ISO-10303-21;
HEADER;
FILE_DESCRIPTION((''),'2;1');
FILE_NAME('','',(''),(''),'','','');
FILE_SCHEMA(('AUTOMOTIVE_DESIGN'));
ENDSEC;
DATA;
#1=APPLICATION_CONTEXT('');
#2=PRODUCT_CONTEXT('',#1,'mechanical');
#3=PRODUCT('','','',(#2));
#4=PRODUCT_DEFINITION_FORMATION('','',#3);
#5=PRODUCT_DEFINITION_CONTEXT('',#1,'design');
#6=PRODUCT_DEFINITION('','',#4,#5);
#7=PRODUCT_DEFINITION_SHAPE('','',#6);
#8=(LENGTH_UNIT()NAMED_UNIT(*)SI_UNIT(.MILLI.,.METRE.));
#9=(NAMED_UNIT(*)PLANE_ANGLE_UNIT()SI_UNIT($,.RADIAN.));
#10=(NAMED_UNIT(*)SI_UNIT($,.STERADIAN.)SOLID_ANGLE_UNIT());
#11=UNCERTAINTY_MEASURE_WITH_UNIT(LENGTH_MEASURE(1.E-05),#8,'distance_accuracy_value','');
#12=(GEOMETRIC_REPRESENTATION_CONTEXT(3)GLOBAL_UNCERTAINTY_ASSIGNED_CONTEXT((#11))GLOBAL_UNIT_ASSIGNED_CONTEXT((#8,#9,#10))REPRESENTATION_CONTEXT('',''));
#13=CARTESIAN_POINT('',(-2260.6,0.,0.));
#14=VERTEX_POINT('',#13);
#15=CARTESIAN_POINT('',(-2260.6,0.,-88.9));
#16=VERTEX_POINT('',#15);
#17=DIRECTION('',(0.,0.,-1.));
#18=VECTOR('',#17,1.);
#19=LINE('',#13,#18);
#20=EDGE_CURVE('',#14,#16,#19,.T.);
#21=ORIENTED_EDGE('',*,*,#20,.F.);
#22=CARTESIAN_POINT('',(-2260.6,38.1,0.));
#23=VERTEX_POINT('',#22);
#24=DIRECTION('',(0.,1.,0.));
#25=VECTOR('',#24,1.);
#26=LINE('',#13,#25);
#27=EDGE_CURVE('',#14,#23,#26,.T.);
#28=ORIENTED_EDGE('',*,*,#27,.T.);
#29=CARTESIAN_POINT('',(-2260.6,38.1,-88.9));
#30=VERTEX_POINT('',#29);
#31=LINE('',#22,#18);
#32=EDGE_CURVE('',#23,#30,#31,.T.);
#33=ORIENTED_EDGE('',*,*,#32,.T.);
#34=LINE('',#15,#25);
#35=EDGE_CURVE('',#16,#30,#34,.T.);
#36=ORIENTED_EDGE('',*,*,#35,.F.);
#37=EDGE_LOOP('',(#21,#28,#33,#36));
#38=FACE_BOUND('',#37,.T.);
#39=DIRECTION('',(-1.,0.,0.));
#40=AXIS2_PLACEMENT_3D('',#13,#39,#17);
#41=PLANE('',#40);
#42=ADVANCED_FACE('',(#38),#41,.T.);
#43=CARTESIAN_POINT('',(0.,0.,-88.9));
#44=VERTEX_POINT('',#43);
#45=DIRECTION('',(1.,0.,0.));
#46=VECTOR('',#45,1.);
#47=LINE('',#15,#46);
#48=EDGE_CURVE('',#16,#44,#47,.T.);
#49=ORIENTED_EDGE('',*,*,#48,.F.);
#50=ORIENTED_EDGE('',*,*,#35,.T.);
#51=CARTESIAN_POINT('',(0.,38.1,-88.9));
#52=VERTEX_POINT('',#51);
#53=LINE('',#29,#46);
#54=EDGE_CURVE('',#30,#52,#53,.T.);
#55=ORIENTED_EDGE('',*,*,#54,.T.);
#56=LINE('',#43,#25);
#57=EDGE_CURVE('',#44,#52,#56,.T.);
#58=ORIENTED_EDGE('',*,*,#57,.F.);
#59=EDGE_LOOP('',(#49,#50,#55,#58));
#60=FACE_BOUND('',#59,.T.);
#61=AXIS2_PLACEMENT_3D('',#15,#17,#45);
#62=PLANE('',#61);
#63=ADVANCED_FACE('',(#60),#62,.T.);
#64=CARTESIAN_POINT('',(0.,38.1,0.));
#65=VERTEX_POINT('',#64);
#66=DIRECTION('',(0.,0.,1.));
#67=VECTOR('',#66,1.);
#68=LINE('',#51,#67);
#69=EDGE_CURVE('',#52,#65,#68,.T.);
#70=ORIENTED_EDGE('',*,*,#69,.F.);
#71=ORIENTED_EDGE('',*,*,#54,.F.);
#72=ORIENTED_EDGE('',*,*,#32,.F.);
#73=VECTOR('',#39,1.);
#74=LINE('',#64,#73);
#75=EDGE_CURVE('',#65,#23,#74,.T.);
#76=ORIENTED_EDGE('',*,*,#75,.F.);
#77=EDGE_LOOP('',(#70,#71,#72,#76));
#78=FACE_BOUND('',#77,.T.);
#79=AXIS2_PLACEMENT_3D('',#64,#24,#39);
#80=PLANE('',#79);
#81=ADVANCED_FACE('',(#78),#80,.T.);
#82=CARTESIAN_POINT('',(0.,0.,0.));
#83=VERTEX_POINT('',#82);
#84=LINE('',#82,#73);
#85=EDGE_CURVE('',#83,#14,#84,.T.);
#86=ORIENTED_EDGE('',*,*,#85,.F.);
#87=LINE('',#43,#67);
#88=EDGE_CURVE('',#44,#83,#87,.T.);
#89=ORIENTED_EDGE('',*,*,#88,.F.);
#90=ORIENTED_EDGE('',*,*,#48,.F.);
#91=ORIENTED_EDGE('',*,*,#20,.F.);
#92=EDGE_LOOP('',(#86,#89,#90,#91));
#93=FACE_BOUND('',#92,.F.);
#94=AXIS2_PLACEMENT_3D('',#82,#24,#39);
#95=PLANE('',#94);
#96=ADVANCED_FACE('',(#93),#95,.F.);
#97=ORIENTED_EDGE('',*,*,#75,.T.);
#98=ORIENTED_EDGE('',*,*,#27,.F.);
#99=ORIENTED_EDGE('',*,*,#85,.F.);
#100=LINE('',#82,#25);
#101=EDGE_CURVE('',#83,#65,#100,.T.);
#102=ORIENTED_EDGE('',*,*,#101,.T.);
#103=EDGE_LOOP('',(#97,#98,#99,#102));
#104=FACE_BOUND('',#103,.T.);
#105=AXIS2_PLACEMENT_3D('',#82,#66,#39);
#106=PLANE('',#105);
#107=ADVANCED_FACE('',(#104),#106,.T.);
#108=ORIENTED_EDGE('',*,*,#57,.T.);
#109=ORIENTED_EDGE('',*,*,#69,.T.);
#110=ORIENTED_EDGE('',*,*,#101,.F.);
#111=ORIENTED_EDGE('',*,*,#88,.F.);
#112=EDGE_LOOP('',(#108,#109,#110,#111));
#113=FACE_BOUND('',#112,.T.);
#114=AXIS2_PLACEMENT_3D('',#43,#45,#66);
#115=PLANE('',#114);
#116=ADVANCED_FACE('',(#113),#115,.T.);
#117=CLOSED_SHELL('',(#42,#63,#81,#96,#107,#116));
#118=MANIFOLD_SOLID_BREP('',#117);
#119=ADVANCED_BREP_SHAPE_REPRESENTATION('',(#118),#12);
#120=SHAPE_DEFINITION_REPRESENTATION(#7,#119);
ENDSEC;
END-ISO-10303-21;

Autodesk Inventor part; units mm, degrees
ref_plane "YZ Plane" through (0, 0, 0) normal (1, 0, 0) x (0, 1, 0)
ref_plane "XZ Plane" through (0, 0, 0) normal (0, 1, 0) x (-1, 0, 0)
ref_plane "XY Plane" through (0, 0, 0) normal (0, 0, 1) x (1, 0, 0)
sketch "Sketch1" plane through (0, 0, 0) normal (0, 1, 0) x (-1, 0, 0)
  line L0 (0, 0) -> (2260.6, 0)
  line L1 (2260.6, 0) -> (2260.6, -88.9)
  line L2 (2260.6, -88.9) -> (0, -88.9)
  line L3 (0, -88.9) -> (0, 0)
  dimension "d0" = 2260.6
  dimension "d1" = 88.9
extrude "Extrusion1" add sketch "Sketch1" along normal blind 38.1
properties part number "7'5''x2x4Correct"
